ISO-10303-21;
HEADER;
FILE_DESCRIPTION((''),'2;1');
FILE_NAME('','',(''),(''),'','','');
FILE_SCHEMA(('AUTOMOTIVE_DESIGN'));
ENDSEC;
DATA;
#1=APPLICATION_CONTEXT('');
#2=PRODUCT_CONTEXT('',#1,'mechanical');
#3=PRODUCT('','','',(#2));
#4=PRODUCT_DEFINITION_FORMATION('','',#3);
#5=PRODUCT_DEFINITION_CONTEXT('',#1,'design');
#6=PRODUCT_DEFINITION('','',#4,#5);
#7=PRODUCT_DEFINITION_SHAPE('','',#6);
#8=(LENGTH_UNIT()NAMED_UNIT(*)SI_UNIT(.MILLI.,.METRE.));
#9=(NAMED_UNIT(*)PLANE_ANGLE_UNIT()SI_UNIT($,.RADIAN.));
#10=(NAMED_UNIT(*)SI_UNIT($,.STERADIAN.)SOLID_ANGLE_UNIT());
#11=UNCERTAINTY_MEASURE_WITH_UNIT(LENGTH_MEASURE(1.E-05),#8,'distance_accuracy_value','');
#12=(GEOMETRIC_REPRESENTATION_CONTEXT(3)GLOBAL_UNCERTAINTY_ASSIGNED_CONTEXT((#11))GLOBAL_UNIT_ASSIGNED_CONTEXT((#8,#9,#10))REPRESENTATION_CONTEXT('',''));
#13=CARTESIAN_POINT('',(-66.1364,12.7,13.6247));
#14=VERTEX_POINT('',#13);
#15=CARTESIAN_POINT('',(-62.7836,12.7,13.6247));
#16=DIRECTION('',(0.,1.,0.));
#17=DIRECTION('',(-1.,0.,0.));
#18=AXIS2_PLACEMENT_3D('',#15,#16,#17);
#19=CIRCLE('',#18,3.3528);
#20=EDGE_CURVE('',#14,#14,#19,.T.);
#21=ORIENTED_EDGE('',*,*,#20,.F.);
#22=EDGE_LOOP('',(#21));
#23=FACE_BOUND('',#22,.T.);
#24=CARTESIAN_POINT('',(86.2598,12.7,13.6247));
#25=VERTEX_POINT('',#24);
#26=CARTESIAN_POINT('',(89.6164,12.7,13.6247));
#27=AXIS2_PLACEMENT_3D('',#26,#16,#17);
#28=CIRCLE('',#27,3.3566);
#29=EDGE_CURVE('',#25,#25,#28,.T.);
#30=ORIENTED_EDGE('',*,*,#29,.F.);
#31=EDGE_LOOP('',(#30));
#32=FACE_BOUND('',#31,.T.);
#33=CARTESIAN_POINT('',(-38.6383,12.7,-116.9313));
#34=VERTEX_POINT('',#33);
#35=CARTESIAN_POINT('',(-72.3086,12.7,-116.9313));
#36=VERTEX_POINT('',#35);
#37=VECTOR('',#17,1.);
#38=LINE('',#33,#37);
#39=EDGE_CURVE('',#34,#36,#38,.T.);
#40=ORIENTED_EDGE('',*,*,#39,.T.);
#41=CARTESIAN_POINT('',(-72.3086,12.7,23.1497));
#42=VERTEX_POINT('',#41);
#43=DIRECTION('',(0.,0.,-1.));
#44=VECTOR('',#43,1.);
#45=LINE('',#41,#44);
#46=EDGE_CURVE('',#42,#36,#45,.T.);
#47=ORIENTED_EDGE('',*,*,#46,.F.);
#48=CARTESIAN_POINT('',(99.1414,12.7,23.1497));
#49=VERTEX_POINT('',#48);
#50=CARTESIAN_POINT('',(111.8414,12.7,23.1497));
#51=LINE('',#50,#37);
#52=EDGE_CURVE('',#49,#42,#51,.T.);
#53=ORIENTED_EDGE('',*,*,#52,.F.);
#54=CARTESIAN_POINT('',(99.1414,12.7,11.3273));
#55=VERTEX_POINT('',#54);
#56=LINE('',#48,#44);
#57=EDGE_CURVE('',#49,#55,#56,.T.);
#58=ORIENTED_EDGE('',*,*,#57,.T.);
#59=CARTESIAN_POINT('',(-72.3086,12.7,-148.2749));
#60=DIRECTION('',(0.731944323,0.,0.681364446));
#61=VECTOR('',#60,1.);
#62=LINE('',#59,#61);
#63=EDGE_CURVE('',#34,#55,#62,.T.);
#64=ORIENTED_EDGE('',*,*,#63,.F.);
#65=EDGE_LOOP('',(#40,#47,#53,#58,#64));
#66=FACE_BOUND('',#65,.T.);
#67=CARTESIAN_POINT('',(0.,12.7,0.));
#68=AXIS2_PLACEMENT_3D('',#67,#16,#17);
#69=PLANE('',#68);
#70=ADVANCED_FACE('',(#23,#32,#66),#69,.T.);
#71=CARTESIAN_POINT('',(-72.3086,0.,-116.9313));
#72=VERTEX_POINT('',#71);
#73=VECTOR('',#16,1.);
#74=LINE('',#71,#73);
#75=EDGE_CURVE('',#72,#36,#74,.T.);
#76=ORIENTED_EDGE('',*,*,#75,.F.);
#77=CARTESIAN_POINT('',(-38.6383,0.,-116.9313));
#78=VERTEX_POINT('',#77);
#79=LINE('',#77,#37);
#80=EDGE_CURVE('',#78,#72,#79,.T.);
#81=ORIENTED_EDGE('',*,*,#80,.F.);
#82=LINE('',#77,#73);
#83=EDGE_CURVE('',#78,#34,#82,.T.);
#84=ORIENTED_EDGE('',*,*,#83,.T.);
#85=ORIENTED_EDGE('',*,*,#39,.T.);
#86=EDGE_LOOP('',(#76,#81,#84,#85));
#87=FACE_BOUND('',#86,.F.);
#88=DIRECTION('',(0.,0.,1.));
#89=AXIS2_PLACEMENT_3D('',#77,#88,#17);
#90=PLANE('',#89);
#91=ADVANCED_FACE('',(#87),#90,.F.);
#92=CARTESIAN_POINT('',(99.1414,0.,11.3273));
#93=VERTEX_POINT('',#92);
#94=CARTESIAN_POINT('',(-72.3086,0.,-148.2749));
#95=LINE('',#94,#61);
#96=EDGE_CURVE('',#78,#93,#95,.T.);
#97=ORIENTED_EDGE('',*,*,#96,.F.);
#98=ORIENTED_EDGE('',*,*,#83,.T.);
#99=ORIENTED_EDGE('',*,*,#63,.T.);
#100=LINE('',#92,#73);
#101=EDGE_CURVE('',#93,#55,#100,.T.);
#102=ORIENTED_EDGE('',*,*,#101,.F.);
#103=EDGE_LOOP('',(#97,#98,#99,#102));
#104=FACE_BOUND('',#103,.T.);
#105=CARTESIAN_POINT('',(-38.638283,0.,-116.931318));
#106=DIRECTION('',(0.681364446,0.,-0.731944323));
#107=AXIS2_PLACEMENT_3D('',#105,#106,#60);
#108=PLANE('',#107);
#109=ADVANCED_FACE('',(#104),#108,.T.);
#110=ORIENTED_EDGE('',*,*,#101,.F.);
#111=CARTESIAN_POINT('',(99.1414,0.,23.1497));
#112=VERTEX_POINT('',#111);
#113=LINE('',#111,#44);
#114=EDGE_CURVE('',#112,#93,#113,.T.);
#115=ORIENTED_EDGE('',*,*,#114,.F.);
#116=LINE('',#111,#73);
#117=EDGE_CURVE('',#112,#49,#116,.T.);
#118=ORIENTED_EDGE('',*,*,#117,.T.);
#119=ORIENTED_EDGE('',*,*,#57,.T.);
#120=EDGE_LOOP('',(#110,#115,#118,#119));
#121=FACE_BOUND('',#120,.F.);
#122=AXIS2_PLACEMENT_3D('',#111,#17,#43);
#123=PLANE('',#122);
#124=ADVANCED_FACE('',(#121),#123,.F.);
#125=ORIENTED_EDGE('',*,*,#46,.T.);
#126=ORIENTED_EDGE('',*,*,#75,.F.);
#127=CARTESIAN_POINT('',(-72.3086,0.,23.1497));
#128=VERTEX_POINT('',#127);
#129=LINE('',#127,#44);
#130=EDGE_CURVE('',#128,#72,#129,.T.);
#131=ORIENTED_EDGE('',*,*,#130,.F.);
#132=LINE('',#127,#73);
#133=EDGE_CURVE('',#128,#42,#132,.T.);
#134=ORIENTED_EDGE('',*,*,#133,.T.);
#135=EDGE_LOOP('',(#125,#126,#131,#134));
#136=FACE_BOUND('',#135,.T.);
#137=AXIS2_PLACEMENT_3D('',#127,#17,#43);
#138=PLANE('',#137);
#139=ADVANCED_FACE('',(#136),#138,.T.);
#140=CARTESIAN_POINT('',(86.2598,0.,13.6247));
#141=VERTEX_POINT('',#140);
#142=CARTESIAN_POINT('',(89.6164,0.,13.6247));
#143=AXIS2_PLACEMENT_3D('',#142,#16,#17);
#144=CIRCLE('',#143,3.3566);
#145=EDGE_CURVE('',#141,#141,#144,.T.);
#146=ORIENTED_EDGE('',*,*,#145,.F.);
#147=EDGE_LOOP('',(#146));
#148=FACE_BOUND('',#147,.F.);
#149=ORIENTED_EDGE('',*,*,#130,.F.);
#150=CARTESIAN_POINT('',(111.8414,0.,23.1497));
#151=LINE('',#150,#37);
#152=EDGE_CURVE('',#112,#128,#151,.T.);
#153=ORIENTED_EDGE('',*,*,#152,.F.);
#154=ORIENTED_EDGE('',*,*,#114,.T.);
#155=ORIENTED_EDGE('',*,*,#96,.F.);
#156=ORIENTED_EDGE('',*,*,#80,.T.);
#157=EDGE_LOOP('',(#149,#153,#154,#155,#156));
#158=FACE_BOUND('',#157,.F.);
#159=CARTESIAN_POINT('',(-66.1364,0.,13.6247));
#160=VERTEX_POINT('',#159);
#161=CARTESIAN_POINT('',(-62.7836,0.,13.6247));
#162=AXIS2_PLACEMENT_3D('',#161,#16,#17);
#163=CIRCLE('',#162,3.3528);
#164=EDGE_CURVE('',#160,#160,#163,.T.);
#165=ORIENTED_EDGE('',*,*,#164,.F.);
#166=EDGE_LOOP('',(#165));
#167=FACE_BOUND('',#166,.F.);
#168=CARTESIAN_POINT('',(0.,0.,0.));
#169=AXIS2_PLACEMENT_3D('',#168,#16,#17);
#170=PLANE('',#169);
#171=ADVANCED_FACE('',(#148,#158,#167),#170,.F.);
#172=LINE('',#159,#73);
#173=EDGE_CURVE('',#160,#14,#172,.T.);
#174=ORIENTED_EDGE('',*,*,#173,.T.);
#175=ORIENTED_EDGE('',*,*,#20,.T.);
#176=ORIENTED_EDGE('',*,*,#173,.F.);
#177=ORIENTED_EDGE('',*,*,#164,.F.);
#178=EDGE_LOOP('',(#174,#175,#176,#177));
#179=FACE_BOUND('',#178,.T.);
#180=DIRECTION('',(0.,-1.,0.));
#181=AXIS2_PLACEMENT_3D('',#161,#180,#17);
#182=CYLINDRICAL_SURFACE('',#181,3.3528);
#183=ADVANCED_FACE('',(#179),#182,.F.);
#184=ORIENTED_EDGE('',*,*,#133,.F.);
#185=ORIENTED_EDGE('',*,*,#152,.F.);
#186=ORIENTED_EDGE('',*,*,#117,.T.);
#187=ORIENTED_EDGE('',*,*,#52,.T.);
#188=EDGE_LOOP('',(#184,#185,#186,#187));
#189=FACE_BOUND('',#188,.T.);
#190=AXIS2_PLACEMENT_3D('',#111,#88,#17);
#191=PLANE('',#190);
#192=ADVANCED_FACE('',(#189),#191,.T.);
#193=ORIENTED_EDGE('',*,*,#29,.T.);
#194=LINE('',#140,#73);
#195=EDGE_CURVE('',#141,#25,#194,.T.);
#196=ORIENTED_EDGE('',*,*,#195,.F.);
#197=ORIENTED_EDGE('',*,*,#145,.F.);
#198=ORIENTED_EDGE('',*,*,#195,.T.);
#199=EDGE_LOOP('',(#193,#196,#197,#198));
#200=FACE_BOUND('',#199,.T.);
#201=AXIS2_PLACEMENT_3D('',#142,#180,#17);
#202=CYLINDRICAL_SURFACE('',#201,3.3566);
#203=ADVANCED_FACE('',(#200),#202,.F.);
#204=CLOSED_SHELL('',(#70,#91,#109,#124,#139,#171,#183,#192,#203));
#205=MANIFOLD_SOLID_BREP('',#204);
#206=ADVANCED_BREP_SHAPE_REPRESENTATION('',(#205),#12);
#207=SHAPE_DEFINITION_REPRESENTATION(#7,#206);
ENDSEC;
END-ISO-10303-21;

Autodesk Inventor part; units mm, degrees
ref_plane "YZ Plane" through (0, 0, 0) normal (1, 0, 0) x (0, 1, 0)
ref_plane "XZ Plane" through (0, 0, 0) normal (0, 1, 0) x (-1, 0, 0)
ref_plane "XY Plane" through (0, 0, 0) normal (0, 0, 1) x (1, 0, 0)
sketch "Sketch1" plane through (0, 0, 0) normal (0, 1, 0) x (-1, 0, 0)
  line L0 (-111.8414, 23.1497) -> (72.3086, 23.1497)
  line L1 (72.3086, 23.1497) -> (72.3086, -148.2749)
  line L2 (72.3086, -148.2749) -> (-111.8414, 23.1497)
  circle A0 centre (62.7836, 13.6247) radius 3.3528
  circle A1 centre (-89.6164, 13.6247) radius 3.3566
  line L3 (-99.1414, 23.1497) -> (-99.1414, 11.3273)
  line L4 (38.6383, -116.9313) -> (72.3086, -116.9313)
  point P0 (0, 0)
  dimension "d0" = 184.15
  dimension "d1" = 171.4246
  dimension "d2" = 6.7056
  dimension "d3" = 9.525
  dimension "d4" = 6.7132
  dimension "d5" = 152.4
  dimension "d8" = 12.7
  dimension "d9" = 9.525
  dimension "d10" = 140.081
extrude "Extrusion1" add sketch "Sketch1" along normal blind 12.7 contours L0 L1 L4 L2 L3
properties part number "BallGuidePlyRight"
